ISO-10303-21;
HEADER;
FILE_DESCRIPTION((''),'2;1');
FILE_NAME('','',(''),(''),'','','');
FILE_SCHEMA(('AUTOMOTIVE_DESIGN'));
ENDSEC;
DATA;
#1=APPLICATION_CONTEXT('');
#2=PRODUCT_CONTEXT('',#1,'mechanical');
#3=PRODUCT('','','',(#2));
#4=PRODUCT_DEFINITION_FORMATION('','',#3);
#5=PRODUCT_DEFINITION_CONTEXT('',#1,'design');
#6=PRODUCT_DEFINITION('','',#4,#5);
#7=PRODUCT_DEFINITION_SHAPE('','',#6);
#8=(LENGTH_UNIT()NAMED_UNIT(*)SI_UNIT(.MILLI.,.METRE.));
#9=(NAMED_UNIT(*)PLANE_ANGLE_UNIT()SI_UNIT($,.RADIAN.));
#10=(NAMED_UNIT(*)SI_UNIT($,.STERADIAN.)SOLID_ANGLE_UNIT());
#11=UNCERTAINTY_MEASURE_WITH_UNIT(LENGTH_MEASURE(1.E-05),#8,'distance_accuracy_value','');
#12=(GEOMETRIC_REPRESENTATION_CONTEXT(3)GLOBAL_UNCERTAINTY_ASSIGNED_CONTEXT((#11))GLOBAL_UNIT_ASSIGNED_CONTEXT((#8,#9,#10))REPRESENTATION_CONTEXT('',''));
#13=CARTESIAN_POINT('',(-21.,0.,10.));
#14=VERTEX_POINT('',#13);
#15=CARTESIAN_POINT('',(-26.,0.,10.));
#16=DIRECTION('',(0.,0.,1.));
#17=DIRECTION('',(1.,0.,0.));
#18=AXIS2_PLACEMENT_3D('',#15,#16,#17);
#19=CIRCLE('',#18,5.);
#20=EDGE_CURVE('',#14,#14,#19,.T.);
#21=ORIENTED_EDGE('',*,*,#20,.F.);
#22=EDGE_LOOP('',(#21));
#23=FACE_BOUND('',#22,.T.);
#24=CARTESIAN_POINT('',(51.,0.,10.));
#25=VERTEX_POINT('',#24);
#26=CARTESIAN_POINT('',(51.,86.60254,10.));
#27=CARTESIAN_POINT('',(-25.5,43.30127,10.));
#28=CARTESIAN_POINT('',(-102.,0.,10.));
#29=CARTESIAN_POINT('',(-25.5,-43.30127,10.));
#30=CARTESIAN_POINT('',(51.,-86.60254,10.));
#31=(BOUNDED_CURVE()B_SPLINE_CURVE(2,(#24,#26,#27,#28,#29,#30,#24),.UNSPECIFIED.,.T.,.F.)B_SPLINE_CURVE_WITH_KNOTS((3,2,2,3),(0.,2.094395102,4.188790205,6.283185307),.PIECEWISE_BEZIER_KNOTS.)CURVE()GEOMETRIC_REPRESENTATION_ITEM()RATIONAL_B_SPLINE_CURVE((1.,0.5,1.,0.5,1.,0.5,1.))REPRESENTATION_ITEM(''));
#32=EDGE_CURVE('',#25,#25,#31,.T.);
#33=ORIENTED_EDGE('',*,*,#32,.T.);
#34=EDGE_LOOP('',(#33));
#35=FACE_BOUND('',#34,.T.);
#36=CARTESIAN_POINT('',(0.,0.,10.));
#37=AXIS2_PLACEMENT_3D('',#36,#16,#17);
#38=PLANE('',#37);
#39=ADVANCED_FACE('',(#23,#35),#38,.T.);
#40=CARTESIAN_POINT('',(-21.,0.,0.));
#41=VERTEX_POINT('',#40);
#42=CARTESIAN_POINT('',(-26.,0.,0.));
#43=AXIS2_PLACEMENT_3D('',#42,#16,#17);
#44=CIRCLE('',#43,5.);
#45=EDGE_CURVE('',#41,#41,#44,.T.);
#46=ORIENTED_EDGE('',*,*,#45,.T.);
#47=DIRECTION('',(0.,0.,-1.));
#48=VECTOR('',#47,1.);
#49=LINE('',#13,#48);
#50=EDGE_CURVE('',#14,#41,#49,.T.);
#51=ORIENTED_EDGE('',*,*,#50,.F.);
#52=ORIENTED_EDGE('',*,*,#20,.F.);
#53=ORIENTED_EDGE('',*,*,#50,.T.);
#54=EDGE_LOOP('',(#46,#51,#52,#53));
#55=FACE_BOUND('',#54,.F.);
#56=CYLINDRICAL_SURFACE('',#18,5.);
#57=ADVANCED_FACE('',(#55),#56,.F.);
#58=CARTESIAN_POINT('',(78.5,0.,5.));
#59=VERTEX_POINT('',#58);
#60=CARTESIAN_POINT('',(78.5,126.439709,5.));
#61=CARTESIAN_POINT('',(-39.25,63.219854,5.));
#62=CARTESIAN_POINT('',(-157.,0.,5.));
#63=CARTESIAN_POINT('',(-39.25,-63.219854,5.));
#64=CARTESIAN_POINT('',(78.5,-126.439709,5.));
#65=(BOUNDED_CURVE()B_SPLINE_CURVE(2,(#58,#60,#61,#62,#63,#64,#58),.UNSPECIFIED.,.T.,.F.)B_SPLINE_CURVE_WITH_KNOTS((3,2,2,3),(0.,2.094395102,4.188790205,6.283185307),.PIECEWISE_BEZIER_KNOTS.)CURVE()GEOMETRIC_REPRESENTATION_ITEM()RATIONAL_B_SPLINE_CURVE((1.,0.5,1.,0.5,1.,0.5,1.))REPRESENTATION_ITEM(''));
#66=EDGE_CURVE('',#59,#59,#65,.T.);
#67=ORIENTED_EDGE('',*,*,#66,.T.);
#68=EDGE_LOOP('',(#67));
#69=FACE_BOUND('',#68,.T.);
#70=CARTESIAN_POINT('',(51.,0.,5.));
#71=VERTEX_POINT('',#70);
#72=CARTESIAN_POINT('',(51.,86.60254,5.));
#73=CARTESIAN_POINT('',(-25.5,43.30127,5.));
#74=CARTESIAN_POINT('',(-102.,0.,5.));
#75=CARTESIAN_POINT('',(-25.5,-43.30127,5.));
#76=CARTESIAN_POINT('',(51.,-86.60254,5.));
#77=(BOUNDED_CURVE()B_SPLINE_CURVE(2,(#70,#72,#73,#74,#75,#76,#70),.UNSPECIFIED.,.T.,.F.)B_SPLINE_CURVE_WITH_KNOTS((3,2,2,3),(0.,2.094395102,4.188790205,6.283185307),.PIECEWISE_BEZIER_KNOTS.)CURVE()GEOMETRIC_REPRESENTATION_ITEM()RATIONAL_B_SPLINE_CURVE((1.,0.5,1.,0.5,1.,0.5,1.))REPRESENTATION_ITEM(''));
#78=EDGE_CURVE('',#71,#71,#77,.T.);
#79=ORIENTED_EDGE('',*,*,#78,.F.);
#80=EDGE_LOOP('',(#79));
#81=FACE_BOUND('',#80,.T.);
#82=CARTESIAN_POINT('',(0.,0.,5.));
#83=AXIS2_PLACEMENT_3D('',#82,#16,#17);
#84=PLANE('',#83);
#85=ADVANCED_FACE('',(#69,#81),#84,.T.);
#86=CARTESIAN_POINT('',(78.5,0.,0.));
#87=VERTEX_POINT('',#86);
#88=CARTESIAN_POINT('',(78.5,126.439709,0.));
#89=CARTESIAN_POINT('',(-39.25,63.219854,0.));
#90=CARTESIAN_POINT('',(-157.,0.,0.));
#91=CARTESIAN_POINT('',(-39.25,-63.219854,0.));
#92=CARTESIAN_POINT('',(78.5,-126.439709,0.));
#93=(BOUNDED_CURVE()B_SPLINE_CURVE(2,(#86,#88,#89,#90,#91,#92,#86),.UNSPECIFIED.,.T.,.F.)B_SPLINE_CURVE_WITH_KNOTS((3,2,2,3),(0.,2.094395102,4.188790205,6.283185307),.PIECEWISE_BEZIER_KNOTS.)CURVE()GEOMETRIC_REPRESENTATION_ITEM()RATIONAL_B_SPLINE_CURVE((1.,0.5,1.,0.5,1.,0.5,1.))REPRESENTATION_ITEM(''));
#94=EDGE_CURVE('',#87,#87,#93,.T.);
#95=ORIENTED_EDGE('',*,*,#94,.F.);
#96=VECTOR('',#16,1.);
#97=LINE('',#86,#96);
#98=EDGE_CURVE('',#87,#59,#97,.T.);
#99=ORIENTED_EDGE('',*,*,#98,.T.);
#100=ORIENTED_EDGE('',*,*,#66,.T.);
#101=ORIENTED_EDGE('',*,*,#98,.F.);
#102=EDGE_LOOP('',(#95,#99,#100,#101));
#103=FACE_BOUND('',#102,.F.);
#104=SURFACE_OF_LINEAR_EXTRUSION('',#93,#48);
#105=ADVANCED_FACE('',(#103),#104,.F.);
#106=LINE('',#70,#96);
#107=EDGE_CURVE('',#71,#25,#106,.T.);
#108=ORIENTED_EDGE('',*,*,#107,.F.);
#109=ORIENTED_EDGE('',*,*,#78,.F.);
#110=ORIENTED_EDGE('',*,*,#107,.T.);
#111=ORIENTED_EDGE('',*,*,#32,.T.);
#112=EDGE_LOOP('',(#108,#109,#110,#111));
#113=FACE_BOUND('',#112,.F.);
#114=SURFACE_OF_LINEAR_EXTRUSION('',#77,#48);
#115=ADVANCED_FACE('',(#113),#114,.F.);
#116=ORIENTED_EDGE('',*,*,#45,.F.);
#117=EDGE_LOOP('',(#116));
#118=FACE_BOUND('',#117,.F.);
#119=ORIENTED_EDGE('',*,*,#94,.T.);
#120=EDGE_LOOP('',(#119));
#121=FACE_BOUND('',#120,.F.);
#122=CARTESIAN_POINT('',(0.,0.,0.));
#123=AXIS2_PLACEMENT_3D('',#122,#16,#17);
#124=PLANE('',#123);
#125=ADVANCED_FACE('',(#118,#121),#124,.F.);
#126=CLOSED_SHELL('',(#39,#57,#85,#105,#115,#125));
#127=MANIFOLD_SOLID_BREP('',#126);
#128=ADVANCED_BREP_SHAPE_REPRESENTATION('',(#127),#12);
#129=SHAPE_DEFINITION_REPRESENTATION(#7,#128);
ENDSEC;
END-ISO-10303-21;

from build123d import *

# Parameters (mm, degrees)
F1_DEPTH = 5
F3_DEPTH = 5
F4_R     = 5
F5_DEPTH = 10.0010001


with BuildPart() as f1:
    # F0 (on Top) → F1 (new body)
    with BuildSketch(Plane.XY):
        with BuildLine():
            add(Edge.make_bspline(
                [(78.5, 0), (78.5, 126.4397089525), (-39.25, 63.2198544763), (-157, 0), (-39.25, -63.2198544763), (78.5, -126.4397089525), (78.5, 0)],
                knots=[0, 0, 0, 2.0943951024, 2.0943951024, 4.1887902048, 4.1887902048, 6.2831853072, 6.2831853072, 6.2831853072], degree=2, weights=[1, 0.5, 1, 0.5, 1, 0.5, 1]))
        make_face()
    extrude(amount=F1_DEPTH)

    # F2 (on face) → F3 (join)
    with BuildSketch(Plane.XY.offset(5)):
        with BuildLine():
            add(Edge.make_bspline(
                [(51, 0), (51, 86.6025403784), (-25.5, 43.3012701892), (-102, 0), (-25.5, -43.3012701892), (51, -86.6025403784), (51, 0)],
                knots=[0, 0, 0, 2.0943951024, 2.0943951024, 4.1887902048, 4.1887902048, 6.2831853072, 6.2831853072, 6.2831853072], degree=2, weights=[1, 0.5, 1, 0.5, 1, 0.5, 1]))
        make_face()
    extrude(amount=F3_DEPTH)

    # F4 (on face) → F5 (cut, through all)
    with BuildSketch(Plane.XY.offset(10)):
        with Locations((-26, 0)):
            Circle(F4_R)
    extrude(amount=-F5_DEPTH, mode=Mode.SUBTRACT)


solid = f1.part
